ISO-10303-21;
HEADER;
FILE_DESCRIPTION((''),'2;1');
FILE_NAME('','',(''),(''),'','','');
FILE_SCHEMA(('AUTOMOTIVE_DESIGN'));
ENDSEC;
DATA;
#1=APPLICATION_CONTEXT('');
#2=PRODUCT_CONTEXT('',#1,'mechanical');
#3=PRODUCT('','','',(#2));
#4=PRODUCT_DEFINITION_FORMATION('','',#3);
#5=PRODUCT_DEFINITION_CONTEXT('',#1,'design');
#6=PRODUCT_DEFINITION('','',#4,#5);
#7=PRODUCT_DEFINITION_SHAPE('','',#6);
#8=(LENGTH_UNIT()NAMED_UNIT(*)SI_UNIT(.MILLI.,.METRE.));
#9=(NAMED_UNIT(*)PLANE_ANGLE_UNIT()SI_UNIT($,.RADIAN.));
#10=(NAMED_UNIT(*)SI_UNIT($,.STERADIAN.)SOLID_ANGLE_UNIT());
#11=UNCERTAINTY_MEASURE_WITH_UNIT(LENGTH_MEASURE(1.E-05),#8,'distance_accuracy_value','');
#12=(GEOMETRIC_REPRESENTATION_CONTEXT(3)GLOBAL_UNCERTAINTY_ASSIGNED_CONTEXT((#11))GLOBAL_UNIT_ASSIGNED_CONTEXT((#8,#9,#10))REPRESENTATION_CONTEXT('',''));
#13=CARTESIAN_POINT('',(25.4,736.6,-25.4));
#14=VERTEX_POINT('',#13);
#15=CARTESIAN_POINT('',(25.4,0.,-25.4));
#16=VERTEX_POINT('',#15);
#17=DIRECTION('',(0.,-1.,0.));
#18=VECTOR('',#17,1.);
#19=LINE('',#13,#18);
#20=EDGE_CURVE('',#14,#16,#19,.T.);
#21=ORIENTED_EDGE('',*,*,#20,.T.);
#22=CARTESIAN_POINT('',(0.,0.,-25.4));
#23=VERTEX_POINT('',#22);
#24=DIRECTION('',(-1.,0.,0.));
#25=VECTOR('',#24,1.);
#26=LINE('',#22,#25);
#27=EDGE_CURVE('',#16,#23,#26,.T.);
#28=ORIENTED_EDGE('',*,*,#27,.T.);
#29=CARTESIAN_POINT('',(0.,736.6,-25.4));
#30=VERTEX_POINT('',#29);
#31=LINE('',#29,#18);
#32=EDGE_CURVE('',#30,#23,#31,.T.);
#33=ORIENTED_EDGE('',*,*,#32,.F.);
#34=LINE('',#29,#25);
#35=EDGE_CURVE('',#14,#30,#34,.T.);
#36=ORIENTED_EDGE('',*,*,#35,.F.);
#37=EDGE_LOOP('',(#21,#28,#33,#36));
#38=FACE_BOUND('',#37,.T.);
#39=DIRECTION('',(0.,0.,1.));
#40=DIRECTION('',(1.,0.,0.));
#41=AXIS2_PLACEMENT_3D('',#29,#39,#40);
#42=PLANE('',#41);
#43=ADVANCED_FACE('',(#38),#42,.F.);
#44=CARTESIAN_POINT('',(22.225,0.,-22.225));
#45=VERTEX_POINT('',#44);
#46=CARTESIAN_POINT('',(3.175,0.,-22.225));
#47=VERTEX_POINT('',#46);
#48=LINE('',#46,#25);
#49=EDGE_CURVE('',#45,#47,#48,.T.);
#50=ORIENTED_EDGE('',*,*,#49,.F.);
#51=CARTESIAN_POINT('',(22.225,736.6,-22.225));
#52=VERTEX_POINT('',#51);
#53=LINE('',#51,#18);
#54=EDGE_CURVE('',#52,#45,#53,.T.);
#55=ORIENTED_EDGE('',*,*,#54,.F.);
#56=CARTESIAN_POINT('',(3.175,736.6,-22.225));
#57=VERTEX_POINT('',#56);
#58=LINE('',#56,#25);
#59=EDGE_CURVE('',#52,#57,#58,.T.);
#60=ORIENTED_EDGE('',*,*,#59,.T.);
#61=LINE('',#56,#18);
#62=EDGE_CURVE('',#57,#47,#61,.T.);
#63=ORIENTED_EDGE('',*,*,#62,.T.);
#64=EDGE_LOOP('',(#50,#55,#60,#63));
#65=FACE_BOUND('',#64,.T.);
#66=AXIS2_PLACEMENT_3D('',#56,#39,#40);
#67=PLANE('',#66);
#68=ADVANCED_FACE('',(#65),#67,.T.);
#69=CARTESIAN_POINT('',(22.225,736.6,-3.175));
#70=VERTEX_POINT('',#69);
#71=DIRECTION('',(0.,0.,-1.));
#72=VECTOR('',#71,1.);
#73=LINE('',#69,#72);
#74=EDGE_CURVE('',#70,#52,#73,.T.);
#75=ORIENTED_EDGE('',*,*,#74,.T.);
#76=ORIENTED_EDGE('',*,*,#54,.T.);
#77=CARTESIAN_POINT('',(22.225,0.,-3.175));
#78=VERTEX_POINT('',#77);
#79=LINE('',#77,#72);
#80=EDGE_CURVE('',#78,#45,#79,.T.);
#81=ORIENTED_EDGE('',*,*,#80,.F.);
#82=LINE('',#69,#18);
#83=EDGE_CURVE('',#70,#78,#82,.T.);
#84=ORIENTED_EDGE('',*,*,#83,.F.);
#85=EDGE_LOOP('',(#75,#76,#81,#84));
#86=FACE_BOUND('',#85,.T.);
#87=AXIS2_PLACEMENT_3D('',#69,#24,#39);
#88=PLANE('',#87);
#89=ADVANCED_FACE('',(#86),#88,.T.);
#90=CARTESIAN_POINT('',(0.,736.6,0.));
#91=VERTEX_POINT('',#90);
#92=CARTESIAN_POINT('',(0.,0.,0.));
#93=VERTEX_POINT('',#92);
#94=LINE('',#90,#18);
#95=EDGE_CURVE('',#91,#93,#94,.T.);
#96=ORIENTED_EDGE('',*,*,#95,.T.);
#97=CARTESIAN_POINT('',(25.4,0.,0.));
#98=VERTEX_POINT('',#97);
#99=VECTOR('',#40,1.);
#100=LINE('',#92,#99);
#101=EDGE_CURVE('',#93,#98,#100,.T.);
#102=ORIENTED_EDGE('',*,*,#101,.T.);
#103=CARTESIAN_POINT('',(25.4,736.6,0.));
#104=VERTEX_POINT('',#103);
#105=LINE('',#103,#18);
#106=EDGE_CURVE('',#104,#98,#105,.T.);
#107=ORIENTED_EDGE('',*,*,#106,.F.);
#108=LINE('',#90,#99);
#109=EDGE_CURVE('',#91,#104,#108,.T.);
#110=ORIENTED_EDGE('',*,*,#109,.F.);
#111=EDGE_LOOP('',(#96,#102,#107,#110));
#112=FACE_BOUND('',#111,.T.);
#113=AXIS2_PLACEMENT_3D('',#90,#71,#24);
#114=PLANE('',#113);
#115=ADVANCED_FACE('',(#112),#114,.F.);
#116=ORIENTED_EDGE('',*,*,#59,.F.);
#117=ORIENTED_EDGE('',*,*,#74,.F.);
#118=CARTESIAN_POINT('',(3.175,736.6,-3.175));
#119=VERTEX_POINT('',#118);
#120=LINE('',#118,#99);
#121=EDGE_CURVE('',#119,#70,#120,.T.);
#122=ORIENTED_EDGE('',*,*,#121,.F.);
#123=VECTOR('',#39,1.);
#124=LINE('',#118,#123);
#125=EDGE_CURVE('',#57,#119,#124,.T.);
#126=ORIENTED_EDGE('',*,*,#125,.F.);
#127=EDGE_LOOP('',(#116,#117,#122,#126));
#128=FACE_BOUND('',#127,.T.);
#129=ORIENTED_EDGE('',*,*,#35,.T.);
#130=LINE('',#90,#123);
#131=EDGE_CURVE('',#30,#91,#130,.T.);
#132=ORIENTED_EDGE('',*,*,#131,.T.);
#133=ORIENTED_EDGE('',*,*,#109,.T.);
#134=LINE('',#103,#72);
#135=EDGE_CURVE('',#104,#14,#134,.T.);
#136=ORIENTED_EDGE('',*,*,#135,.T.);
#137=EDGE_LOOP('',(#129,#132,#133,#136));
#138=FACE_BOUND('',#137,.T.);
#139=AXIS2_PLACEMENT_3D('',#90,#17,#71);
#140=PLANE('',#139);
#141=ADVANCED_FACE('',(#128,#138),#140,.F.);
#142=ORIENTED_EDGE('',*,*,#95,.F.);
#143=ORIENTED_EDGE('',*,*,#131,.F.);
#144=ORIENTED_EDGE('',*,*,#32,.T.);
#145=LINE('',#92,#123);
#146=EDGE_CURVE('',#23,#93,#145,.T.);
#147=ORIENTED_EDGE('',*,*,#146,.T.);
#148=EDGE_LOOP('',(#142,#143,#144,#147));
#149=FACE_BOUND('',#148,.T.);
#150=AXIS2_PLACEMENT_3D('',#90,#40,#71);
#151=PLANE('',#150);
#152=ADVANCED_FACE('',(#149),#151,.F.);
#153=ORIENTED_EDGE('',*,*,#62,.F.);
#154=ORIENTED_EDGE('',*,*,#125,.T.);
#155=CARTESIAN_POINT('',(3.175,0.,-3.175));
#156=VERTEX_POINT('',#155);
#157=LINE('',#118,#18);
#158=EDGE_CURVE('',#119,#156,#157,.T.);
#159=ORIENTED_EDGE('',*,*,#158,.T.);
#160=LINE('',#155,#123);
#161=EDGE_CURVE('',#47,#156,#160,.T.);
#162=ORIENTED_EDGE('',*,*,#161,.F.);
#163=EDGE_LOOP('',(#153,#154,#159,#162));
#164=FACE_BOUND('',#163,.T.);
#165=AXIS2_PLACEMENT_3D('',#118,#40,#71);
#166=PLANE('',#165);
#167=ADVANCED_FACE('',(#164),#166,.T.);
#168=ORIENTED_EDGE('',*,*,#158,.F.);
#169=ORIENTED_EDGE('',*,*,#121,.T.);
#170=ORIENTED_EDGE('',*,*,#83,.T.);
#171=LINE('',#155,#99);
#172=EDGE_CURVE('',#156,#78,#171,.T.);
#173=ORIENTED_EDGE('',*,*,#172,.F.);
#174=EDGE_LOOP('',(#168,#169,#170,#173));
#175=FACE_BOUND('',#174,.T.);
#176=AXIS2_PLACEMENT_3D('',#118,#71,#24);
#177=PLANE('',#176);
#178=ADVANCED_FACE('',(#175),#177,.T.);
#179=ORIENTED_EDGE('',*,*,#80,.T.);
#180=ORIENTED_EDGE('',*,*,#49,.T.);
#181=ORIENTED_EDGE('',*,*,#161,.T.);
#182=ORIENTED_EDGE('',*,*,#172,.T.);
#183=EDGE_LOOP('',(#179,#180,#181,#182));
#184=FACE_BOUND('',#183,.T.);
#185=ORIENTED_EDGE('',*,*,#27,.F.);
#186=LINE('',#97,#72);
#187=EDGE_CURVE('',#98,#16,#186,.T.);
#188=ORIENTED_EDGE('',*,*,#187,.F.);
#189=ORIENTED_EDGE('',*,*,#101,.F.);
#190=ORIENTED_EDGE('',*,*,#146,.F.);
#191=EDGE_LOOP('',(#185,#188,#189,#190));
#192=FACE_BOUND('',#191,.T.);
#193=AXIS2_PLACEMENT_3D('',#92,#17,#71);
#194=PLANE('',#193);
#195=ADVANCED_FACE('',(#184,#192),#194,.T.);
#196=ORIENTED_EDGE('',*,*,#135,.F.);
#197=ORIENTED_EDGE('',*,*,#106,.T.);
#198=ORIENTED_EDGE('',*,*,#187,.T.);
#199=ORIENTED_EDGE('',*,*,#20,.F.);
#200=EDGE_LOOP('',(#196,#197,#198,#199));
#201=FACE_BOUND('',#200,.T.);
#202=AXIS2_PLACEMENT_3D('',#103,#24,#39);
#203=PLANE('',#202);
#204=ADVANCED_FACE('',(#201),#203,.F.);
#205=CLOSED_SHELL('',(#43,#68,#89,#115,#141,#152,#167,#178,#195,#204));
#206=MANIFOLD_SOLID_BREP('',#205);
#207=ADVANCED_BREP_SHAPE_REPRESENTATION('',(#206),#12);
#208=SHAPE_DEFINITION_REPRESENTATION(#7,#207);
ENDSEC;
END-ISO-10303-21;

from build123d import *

# Parameters (mm, degrees)
SKETCH1_W           = 25.4
SKETCH1_H           = 25.4
SKETCH1_W_2         = 19.05
SKETCH1_H_2         = 19.05
BOSS_EXTRUDE1_DEPTH = 736.6


with BuildPart() as part:
    # Sketch1 → Boss-Extrude1 (new body)
    with BuildSketch(Plane(origin=(0, 0, 0), x_dir=(1, 0, 0), z_dir=(0, 1, 0))):
        with Locations((12.7, 12.7)):
            Rectangle(SKETCH1_W, SKETCH1_H)
        with Locations((12.7, 12.7)):
            Rectangle(SKETCH1_W_2, SKETCH1_H_2, mode=Mode.SUBTRACT)
    extrude(amount=BOSS_EXTRUDE1_DEPTH)


solid = part.part
